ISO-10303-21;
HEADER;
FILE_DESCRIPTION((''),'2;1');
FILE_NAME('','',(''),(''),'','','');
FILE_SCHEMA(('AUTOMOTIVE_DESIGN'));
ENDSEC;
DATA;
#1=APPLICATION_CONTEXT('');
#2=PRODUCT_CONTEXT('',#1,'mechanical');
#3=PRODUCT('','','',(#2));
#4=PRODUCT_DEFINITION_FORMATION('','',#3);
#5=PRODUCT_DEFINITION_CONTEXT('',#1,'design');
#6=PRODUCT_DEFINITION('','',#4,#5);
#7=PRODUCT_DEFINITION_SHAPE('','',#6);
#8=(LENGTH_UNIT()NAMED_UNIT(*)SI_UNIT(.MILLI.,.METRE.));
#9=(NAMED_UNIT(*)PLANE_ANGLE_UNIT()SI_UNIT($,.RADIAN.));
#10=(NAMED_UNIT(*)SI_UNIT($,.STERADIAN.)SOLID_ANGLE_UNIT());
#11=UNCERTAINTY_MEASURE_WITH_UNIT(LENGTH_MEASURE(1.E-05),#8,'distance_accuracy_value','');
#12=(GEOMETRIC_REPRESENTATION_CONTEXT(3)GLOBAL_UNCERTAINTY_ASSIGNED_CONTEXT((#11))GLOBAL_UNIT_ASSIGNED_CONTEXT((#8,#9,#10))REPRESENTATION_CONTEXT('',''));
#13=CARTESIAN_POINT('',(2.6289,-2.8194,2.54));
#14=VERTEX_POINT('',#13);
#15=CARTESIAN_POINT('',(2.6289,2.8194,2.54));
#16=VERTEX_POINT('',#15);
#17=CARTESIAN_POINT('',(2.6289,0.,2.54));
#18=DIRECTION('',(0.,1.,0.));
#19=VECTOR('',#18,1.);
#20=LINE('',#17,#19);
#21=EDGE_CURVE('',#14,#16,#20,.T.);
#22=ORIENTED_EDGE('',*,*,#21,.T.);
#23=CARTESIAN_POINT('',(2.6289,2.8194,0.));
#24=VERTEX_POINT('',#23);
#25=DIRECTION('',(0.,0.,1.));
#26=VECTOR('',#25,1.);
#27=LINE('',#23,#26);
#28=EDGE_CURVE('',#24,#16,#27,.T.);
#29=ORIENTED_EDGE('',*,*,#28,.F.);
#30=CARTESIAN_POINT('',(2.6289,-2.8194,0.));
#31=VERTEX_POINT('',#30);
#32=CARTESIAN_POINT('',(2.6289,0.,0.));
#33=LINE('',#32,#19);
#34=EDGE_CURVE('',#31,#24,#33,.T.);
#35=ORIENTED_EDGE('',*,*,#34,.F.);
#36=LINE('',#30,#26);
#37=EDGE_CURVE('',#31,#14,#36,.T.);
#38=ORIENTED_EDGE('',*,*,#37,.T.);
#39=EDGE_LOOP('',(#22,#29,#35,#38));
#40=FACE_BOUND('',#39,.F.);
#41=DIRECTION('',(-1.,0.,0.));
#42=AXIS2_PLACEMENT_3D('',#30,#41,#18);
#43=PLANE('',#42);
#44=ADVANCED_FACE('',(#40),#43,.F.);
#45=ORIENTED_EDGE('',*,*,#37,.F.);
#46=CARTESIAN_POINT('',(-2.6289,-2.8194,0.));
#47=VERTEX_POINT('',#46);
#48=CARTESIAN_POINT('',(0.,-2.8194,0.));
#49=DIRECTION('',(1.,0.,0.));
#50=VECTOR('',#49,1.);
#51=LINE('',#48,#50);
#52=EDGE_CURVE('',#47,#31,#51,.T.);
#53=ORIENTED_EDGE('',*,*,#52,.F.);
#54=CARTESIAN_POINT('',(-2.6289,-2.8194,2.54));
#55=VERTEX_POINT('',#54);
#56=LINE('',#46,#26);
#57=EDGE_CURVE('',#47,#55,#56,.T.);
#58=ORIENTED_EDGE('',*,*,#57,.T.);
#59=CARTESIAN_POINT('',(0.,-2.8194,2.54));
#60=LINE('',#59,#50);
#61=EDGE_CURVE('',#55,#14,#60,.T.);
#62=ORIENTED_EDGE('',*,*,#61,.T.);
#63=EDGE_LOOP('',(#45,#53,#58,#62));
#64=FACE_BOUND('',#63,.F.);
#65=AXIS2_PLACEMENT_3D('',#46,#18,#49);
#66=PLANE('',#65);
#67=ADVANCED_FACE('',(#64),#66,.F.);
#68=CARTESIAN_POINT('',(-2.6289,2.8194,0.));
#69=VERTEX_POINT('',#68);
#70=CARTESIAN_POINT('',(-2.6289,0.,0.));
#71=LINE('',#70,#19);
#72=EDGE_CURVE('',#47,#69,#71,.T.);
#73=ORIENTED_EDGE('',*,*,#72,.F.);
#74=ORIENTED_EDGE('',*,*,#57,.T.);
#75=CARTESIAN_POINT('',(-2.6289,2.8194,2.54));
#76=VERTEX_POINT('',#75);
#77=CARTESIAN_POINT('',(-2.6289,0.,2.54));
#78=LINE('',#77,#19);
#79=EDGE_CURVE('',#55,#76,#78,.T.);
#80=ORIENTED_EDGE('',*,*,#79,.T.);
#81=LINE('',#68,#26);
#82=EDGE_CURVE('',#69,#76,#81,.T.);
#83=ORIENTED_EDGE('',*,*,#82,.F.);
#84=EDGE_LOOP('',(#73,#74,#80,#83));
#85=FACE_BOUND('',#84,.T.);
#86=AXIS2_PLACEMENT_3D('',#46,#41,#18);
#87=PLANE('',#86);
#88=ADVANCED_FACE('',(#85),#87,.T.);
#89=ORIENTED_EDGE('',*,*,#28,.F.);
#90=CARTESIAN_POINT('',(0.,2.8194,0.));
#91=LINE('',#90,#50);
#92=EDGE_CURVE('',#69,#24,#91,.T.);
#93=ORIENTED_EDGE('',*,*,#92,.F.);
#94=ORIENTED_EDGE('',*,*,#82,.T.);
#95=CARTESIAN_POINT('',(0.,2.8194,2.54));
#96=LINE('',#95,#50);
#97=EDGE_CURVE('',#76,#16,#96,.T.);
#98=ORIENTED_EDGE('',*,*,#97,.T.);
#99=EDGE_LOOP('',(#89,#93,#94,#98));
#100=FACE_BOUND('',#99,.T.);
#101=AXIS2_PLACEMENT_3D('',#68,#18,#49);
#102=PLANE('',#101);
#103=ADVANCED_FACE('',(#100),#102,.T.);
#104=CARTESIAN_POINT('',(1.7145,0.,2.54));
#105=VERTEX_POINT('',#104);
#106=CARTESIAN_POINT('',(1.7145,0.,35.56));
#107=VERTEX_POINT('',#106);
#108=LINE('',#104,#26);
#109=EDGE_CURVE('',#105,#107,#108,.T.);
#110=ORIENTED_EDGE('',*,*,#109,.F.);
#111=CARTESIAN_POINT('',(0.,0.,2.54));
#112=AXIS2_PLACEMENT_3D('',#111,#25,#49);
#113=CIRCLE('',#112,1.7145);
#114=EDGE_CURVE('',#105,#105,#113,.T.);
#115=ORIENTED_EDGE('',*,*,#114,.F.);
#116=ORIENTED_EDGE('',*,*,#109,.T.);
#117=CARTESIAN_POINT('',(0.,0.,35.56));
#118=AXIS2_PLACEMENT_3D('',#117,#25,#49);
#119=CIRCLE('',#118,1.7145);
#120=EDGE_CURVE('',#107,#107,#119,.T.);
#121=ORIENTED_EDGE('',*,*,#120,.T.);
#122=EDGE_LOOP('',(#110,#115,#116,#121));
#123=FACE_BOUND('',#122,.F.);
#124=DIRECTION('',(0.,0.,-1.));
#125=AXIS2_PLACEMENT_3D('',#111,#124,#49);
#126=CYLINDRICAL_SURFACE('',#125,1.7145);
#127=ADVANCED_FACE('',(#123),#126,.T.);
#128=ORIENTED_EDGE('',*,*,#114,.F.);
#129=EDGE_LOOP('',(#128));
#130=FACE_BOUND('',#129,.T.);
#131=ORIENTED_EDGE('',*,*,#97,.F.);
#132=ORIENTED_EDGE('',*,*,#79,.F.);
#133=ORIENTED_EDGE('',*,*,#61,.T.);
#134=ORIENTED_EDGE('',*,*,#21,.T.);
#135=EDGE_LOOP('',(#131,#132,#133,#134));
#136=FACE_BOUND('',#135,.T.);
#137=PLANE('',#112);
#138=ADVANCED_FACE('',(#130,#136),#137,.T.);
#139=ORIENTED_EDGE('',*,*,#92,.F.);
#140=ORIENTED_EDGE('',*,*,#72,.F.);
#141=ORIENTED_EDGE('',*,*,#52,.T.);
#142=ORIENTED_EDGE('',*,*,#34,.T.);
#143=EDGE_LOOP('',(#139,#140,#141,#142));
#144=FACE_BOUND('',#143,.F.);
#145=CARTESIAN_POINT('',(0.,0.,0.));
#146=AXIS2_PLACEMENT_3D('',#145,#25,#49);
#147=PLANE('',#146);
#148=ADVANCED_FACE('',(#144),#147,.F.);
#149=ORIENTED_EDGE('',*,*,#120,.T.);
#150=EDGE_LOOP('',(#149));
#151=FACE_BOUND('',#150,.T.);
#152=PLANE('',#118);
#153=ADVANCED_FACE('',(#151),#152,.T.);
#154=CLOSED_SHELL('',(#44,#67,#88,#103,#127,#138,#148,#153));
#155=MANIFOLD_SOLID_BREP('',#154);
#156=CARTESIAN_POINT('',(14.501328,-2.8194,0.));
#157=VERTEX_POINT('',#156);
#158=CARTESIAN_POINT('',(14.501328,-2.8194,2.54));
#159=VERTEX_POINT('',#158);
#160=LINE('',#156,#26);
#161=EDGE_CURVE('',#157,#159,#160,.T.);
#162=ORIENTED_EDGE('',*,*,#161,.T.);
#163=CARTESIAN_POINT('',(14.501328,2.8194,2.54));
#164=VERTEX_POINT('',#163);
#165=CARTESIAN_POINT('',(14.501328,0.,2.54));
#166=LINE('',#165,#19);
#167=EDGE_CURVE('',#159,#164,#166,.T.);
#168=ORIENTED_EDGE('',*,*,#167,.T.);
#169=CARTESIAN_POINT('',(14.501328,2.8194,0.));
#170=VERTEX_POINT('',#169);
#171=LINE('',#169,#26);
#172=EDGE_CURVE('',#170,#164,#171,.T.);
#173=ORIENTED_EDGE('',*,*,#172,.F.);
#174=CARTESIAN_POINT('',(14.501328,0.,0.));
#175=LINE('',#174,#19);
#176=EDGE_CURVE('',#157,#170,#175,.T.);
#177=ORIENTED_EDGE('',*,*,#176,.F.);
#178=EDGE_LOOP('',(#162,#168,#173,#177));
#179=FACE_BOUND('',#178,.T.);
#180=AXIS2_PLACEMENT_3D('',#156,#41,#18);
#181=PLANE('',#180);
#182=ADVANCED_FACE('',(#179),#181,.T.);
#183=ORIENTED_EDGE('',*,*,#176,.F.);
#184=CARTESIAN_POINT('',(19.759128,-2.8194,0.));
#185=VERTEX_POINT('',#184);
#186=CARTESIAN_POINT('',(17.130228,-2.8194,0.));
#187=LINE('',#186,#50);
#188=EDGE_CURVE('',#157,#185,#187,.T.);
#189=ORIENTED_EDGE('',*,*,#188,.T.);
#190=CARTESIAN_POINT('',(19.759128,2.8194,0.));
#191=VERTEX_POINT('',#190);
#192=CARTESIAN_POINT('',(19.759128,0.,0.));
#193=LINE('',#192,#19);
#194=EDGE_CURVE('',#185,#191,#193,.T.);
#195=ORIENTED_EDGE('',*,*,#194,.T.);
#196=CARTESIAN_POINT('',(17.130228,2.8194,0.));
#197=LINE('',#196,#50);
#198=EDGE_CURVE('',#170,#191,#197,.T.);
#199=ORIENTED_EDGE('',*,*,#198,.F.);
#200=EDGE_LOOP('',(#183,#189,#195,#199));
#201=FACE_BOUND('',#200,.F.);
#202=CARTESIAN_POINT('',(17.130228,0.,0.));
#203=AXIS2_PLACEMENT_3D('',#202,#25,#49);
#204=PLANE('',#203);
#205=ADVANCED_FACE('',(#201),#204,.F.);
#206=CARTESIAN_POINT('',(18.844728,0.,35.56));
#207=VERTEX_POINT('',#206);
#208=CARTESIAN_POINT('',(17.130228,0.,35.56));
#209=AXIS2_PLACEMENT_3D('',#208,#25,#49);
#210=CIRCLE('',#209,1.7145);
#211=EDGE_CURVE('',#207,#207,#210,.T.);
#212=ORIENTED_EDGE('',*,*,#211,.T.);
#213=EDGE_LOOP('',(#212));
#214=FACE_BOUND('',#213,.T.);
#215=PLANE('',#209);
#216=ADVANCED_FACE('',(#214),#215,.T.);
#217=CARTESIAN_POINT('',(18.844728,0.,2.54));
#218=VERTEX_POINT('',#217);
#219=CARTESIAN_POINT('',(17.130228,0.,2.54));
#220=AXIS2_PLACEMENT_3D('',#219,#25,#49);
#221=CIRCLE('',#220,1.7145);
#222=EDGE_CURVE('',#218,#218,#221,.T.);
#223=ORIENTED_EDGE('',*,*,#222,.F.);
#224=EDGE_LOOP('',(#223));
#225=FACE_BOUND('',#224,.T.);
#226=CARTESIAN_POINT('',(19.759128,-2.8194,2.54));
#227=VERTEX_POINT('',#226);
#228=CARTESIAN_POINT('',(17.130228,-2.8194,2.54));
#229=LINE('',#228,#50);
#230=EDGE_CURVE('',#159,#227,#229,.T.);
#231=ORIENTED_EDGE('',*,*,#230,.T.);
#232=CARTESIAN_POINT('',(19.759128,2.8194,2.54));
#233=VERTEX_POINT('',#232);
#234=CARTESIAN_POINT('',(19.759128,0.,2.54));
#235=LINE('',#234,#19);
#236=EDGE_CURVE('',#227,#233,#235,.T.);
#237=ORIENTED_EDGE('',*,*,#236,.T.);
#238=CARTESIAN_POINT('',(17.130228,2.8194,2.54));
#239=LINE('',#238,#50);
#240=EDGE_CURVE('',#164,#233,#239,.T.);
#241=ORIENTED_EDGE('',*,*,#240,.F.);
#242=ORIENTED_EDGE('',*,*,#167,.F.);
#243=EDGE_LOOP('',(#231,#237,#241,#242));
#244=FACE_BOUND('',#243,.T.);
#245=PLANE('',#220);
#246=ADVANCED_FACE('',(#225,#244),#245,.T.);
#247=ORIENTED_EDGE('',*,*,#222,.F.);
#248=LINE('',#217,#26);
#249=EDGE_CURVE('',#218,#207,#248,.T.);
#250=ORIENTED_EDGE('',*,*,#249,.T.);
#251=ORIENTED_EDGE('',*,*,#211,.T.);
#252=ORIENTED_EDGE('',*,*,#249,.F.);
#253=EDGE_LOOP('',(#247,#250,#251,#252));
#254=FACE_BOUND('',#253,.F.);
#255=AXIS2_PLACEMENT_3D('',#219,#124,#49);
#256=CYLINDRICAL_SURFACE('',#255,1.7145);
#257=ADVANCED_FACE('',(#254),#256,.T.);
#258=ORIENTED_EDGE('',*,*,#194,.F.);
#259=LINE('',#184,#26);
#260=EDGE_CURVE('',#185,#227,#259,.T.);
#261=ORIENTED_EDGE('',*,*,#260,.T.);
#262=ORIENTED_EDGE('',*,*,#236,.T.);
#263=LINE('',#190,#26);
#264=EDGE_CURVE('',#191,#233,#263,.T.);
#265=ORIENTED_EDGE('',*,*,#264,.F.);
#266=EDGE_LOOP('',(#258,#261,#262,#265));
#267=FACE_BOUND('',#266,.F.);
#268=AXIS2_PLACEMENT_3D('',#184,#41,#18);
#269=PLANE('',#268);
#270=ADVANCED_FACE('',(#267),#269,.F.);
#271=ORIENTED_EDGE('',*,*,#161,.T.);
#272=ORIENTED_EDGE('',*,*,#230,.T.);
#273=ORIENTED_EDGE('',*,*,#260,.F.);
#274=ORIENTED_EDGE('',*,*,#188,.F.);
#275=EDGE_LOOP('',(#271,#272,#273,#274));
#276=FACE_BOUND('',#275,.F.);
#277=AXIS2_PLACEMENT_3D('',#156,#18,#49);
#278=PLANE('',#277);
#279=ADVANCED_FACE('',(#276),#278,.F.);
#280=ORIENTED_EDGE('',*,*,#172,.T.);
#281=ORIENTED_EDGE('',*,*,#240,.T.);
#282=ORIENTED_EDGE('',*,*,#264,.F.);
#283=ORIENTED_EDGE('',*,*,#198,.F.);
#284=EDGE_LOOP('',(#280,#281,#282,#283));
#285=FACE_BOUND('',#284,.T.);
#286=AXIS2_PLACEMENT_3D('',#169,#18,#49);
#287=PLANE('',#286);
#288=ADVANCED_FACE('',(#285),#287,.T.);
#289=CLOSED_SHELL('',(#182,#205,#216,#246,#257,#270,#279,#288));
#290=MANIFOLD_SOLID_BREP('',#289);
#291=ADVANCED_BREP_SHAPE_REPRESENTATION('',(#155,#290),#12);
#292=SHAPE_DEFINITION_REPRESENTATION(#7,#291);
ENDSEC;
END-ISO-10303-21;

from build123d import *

# Parameters (mm, degrees)
F0_W     = 5.2578
F0_H     = 5.6388
F0_R     = 1.79705
F1_DEPTH = 2.54
F2_R     = 1.7145
F3_DEPTH = 33.02
F4_R     = 1.7145
F5_DEPTH = 33.02


with BuildPart() as f1:
    # F0 (on Top) → F1 (new body)
    with BuildSketch(Plane.XY):
        Rectangle(F0_W, F0_H)
        Circle(F0_R, mode=Mode.SUBTRACT)
        with Locations((17.130228, 0)):
            Rectangle(F0_W, F0_H)
        with Locations((17.130228, 0)):
            Circle(F0_R, mode=Mode.SUBTRACT)
        Circle(F0_R)
        with Locations((17.130228, 0)):
            Circle(F0_R)
    extrude(amount=F1_DEPTH)

    # F2 (on face) → F3 (join)
    with BuildSketch(Plane.XY.offset(2.54)):
        Circle(F2_R)
    extrude(amount=F3_DEPTH)

    # F4 (on face) → F5 (join)
    with BuildSketch(Plane.XY.offset(2.54)):
        with Locations((17.130228, 0)):
            Circle(F4_R)
    extrude(amount=F5_DEPTH)


solid = f1.part
